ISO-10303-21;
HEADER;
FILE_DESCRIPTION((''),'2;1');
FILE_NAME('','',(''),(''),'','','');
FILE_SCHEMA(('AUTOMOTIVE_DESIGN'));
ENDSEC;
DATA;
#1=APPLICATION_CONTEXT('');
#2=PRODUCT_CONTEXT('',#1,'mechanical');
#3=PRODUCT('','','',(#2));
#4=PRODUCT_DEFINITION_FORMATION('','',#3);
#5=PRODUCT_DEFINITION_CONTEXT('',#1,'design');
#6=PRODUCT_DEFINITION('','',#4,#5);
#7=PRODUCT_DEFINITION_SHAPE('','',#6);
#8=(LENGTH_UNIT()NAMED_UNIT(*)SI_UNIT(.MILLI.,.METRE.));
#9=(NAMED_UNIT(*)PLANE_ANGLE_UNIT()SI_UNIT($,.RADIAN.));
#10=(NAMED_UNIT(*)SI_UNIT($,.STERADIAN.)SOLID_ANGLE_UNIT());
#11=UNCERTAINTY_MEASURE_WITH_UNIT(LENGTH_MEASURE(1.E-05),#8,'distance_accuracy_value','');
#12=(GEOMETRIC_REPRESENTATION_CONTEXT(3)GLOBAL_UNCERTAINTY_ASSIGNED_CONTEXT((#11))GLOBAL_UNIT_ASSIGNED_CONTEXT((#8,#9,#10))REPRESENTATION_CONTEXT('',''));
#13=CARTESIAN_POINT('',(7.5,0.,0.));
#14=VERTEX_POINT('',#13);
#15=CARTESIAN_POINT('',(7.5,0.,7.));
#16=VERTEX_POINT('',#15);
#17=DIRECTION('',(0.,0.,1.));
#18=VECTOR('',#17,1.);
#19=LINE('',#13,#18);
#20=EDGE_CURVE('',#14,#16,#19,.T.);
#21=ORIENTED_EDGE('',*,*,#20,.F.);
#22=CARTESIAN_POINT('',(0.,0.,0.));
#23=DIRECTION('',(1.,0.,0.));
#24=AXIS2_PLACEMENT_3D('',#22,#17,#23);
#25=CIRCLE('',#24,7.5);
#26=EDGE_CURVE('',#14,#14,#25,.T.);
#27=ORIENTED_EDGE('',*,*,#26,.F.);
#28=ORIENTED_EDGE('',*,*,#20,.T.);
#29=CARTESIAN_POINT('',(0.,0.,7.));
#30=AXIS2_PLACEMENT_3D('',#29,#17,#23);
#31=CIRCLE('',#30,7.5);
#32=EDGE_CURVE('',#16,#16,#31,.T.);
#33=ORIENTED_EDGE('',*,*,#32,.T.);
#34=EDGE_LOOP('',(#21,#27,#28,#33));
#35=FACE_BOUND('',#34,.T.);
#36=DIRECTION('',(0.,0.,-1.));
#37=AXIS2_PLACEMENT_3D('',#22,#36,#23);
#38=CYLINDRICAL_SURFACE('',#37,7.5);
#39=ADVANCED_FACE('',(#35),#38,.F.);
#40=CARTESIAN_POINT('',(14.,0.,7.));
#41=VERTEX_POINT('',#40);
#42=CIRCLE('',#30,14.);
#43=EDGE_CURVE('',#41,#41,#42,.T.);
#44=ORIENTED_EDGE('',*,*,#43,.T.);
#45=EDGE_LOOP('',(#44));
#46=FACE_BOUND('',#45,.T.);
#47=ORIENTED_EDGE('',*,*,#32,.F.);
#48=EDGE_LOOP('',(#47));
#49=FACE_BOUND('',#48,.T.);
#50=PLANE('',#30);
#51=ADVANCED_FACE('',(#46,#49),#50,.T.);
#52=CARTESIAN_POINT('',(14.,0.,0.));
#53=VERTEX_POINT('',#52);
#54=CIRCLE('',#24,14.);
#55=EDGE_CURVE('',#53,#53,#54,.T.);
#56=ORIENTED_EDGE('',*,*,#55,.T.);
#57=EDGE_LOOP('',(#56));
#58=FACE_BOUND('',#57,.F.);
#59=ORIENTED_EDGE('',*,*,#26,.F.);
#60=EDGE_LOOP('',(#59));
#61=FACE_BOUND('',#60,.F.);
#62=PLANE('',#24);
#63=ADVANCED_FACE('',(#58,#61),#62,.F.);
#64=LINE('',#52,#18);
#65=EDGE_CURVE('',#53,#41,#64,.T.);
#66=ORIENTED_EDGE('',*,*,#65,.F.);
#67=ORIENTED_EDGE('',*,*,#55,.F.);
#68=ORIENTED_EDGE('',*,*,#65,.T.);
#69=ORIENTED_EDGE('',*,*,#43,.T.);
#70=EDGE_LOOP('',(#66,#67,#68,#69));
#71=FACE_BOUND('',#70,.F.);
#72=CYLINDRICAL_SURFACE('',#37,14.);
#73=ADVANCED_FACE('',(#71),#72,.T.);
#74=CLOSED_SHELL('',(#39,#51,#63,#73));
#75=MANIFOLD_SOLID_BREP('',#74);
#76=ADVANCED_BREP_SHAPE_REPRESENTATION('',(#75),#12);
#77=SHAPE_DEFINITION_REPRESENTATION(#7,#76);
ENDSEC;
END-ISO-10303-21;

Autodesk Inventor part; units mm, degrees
ref_plane "YZ Plane" through (0, 0, 0) normal (1, 0, 0) x (0, 1, 0)
ref_plane "XZ Plane" through (0, 0, 0) normal (0, 1, 0) x (-1, 0, 0)
ref_plane "XY Plane" through (0, 0, 0) normal (0, 0, 1) x (1, 0, 0)
sketch "Sketch1" plane through (0, 0, 0) normal (0, 0, 1) x (1, 0, 0)
  circle A0 centre (0, 0) radius 7.5
  circle A1 centre (0, 0) radius 14
  dimension "d0" = 15
  dimension "d1" = 28
extrude "Extrusion1" add sketch "Sketch1" along normal blind 7
equation "\"BendRadius\" = Thickness"
equation "\"BendReliefWidth\" = Thickness"
equation "\"BendReliefDepth\" = 0.5 * Thickness"
equation "\"CornerReliefSize\" = 4 * Thickness"
equation "\"MinimumRemnant\" = 2 * Thickness"
equation "\"TransitionRadius\" = BendRadius"
equation "\"JacobiRadiusSize\" = BendRadius"
equation "\"GapSize\" = Thickness"
equation "\"Thickness\" = 0.5"
properties part number "rodamiento15_32"
